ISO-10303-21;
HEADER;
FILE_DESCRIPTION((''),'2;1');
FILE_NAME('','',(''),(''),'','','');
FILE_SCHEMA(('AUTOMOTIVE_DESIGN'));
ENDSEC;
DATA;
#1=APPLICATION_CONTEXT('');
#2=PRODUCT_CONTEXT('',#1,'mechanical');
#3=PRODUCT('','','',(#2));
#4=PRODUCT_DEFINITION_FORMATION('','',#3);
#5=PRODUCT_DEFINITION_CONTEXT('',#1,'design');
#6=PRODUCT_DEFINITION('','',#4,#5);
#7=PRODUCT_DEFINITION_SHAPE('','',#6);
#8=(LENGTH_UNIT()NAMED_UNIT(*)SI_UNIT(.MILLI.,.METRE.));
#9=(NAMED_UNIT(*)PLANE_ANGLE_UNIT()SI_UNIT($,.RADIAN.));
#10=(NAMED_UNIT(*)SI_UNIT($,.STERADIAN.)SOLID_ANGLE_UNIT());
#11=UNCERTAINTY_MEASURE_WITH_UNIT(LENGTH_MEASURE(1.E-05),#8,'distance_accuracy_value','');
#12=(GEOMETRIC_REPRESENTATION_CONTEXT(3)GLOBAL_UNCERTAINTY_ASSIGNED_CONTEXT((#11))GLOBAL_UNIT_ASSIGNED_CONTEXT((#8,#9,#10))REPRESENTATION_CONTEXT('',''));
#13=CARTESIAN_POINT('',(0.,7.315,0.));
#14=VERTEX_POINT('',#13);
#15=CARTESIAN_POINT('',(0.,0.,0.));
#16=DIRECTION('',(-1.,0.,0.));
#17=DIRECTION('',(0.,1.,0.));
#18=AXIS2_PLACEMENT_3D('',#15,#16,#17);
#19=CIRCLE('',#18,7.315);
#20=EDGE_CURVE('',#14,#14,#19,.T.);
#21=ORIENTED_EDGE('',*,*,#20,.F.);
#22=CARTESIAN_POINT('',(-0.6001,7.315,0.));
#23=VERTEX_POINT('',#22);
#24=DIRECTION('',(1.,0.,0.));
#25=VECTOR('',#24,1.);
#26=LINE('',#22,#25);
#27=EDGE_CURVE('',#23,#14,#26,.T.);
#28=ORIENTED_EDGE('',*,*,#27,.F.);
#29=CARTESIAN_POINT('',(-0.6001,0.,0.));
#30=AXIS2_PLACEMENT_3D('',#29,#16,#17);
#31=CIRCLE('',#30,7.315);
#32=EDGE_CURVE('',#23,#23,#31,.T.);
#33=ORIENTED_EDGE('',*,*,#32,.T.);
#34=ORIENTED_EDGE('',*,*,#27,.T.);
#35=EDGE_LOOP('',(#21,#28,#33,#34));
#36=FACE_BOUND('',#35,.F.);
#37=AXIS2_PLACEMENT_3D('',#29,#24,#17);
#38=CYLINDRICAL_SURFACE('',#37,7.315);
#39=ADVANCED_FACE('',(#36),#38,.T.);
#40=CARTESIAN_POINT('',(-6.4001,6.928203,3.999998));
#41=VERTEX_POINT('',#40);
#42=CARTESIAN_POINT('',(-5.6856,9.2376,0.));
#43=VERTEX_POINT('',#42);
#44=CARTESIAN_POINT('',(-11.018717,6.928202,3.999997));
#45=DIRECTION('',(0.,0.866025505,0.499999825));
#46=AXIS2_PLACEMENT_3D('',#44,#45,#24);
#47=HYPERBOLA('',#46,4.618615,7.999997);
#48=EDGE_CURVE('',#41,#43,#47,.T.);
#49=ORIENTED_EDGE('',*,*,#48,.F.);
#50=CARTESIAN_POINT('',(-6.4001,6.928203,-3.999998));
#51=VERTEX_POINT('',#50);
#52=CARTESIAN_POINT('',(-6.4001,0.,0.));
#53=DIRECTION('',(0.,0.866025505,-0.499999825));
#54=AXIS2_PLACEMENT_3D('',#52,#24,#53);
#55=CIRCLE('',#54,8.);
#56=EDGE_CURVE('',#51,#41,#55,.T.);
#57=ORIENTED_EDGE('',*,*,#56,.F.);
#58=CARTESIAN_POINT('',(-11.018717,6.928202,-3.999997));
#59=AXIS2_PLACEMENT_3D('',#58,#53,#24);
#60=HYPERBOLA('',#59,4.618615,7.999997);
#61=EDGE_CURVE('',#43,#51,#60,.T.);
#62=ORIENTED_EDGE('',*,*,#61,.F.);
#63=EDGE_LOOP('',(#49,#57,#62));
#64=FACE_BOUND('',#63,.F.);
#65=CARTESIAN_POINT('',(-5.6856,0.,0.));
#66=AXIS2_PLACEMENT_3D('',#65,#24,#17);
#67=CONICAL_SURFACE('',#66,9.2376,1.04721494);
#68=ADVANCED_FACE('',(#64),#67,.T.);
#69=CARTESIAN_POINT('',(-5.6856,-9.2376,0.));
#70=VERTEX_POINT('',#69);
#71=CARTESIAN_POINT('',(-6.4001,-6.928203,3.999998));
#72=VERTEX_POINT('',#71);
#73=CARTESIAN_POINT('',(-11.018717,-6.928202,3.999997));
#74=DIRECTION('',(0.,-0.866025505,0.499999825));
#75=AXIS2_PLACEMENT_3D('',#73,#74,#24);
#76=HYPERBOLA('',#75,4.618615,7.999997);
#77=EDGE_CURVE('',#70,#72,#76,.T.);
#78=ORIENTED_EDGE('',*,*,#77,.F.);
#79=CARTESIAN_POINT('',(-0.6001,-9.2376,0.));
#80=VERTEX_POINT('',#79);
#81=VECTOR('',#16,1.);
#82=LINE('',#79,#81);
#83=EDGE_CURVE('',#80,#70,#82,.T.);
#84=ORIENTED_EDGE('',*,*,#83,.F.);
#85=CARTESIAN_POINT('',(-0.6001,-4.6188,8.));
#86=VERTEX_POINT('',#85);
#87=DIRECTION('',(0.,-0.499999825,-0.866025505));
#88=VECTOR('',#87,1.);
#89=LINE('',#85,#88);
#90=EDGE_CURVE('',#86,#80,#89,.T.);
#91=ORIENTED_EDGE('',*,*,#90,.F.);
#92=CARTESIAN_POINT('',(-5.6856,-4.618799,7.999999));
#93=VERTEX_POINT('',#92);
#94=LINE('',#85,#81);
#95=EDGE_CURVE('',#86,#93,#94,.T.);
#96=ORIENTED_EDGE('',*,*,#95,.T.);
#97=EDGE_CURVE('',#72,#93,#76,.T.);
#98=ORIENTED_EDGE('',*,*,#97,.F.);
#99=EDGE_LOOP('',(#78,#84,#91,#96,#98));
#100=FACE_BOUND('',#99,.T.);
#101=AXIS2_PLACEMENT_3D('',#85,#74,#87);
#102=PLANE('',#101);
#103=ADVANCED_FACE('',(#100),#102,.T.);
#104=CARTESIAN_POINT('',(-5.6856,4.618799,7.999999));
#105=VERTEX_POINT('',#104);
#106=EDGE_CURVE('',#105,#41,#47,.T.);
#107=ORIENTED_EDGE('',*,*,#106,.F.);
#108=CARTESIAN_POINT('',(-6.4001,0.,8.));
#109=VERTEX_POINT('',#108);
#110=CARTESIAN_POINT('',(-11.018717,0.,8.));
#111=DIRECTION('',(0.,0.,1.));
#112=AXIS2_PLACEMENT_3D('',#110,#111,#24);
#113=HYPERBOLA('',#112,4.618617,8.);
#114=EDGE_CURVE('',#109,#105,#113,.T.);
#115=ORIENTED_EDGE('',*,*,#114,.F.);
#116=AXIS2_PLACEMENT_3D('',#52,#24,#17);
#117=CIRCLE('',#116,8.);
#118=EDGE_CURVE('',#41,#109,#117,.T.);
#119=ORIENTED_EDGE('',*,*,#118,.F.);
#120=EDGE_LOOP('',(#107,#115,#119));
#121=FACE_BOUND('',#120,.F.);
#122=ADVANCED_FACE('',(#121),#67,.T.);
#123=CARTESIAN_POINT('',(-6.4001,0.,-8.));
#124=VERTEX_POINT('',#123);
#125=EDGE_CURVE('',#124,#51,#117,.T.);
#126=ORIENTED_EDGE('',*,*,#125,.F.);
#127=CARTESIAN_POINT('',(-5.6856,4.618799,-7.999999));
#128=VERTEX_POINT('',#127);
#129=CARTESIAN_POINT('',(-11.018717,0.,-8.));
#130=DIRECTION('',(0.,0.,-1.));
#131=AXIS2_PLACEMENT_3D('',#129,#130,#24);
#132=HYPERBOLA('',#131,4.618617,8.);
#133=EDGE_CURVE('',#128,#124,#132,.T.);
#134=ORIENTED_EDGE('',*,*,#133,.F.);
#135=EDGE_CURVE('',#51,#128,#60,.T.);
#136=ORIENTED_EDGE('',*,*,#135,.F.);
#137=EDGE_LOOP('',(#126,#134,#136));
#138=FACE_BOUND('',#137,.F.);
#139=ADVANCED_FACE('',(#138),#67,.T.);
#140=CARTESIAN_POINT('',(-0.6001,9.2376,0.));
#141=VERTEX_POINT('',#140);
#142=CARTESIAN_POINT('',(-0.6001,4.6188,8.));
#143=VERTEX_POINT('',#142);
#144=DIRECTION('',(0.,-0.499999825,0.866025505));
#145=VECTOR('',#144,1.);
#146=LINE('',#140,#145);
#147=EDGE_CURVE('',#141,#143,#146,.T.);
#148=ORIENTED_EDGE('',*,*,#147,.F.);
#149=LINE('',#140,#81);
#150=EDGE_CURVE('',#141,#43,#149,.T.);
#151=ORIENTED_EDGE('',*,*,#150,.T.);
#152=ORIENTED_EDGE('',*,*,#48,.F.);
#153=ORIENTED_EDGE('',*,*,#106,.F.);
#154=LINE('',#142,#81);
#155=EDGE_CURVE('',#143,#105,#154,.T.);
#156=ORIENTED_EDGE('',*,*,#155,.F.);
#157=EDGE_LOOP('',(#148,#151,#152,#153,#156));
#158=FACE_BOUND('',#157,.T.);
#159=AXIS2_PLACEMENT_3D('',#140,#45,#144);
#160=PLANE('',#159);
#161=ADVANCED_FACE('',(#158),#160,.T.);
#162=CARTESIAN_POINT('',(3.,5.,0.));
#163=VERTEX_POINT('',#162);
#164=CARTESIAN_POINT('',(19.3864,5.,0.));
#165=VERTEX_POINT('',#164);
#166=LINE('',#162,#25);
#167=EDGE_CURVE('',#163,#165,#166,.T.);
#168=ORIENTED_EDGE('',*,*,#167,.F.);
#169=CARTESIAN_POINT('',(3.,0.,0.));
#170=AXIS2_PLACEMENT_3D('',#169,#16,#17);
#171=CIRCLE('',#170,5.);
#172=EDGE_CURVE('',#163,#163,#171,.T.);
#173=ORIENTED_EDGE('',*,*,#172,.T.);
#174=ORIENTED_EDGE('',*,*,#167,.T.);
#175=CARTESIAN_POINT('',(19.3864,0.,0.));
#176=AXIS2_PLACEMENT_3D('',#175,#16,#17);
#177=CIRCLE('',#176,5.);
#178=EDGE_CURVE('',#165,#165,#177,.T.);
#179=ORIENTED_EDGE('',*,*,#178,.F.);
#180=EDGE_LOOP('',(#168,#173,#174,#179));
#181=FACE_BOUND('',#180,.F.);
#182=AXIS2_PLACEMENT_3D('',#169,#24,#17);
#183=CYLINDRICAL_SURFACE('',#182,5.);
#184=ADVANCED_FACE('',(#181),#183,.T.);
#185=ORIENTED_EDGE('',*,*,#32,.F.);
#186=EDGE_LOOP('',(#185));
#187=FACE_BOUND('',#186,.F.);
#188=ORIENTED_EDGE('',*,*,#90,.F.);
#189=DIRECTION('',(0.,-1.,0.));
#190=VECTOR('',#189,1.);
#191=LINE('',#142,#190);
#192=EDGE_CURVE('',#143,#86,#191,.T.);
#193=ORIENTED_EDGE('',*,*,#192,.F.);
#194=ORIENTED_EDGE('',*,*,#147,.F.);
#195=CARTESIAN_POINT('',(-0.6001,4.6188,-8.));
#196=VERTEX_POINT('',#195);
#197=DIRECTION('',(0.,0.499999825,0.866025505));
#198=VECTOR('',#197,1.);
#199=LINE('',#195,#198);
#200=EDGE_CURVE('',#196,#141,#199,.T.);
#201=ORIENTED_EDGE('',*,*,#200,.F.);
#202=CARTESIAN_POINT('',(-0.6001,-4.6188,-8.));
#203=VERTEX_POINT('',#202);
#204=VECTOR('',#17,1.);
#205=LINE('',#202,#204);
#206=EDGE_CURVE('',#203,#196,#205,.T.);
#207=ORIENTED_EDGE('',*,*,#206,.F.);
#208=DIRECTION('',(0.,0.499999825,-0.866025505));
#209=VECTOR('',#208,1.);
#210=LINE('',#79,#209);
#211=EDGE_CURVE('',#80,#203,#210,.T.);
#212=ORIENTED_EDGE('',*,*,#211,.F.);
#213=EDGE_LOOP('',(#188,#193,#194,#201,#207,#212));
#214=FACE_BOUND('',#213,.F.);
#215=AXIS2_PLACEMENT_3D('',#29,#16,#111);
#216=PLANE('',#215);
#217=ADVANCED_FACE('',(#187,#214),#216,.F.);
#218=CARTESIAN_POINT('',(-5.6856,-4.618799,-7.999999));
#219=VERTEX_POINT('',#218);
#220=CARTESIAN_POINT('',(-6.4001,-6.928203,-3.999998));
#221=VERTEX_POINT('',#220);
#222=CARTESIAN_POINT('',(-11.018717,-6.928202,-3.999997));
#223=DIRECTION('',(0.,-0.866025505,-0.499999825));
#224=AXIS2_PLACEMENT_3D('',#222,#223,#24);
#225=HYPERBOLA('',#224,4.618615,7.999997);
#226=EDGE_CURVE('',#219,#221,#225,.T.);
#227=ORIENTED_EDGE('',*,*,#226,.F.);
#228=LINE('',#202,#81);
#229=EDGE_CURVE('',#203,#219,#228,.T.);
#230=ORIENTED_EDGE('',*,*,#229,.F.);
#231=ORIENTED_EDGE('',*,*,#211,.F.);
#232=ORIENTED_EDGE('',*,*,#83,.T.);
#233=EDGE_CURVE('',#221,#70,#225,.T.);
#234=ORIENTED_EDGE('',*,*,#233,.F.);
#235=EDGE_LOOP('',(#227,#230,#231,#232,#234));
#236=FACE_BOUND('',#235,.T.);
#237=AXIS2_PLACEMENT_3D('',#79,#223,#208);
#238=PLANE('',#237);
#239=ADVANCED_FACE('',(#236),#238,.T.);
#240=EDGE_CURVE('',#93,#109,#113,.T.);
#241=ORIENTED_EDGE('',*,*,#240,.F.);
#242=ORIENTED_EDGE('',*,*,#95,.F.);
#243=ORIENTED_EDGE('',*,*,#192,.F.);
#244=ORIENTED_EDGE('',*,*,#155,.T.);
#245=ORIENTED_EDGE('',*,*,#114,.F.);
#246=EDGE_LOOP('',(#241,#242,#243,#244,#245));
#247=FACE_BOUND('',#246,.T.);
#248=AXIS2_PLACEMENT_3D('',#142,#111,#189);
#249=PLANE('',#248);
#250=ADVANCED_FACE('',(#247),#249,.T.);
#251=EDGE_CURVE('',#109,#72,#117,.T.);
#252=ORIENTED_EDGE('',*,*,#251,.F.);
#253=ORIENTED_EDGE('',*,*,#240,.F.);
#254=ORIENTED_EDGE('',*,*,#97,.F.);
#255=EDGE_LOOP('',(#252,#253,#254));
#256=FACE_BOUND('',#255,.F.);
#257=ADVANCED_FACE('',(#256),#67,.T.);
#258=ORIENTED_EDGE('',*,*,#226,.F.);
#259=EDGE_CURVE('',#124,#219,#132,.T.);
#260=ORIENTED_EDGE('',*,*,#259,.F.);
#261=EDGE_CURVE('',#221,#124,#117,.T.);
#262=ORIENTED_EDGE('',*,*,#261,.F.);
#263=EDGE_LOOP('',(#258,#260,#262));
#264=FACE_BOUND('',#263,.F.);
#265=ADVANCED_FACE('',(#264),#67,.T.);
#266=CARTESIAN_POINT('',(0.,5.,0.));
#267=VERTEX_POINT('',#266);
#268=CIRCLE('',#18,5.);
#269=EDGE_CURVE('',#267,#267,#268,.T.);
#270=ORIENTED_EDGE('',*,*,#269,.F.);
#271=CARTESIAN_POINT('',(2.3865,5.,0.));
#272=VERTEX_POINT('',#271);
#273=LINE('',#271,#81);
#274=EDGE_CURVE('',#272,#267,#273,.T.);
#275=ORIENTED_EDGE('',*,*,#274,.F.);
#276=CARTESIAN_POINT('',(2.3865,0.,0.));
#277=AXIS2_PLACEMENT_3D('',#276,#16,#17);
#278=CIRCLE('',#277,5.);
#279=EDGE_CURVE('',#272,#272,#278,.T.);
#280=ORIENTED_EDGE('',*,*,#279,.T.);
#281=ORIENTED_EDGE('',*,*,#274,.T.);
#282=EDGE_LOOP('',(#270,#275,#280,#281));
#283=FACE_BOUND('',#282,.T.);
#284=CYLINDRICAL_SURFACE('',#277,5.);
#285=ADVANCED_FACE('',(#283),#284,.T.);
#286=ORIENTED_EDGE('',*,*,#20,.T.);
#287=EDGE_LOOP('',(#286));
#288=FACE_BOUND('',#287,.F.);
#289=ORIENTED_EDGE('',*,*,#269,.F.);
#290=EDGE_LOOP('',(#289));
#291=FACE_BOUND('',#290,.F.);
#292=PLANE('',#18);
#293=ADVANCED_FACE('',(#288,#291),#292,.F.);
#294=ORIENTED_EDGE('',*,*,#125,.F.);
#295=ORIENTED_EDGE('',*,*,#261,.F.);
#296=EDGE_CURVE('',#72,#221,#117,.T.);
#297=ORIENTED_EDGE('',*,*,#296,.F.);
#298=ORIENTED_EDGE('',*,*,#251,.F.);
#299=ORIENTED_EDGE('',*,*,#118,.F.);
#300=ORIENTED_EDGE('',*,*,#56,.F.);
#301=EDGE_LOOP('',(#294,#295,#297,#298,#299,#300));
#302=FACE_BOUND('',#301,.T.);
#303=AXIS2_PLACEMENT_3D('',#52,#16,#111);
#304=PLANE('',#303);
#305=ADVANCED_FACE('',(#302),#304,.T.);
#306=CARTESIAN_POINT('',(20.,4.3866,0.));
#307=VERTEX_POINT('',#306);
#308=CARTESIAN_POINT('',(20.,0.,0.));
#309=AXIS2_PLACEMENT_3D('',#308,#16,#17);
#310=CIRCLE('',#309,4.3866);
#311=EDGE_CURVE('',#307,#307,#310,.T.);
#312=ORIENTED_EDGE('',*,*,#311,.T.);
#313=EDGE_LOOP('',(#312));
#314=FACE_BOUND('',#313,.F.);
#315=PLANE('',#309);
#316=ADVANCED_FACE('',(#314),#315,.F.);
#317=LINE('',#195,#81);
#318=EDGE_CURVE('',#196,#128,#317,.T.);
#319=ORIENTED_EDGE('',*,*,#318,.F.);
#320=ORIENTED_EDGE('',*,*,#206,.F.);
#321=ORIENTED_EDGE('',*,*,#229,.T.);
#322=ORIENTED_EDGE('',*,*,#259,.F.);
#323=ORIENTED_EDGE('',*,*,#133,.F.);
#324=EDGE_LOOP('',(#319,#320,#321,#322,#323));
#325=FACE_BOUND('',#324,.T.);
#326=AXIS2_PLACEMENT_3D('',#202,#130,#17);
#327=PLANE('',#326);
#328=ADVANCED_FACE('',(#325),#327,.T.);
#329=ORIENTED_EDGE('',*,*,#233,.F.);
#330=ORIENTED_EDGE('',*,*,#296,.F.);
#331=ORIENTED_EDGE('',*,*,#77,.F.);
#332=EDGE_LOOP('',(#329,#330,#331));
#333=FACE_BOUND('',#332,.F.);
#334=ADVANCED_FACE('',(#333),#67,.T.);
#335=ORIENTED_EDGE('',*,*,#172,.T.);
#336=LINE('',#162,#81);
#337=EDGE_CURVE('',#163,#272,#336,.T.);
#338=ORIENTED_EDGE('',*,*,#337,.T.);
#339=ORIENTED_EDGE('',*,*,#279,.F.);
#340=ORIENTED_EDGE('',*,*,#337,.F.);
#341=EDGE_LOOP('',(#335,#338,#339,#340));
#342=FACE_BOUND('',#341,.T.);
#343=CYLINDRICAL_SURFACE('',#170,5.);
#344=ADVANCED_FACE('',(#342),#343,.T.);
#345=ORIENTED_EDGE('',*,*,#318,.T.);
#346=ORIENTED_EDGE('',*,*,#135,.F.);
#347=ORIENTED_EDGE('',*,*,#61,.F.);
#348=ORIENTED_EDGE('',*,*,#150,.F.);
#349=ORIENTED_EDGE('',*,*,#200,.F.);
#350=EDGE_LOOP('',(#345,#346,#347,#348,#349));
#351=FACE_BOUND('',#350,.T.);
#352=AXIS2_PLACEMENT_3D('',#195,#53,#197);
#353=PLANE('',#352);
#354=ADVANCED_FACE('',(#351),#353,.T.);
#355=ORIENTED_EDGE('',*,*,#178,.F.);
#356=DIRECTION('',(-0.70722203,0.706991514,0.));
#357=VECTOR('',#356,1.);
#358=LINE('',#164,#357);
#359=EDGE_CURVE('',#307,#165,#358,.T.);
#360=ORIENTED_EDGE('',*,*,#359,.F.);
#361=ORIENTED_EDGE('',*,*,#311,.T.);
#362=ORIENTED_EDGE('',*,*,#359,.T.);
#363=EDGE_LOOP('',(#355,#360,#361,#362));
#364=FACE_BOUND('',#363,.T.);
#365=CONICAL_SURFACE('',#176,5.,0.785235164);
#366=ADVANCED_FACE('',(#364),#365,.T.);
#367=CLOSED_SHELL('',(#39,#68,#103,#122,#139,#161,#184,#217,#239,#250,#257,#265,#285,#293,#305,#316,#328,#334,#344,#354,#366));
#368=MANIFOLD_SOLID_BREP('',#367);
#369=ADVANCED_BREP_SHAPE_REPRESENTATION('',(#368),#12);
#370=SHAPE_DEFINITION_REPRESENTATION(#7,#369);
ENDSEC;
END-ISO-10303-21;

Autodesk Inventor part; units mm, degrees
ref_plane "YZ Plane" through (0, 0, 0) normal (1, 0, 0) x (0, 1, 0)
ref_plane "XZ Plane" through (0, 0, 0) normal (0, 1, 0) x (-1, 0, 0)
sketch "Sketch1" plane through (0, 0, 0) normal (0, 0, 1) x (1, 0, 0)
  line L0 (0, 7.315) -> (0, 5)
  line L1 (3, 5) -> (20, 5)
  line L2 (20, 5) -> (20, 0)
  line L3 (20, 0) -> (-0.6001, 0)
  line L4 (-4.7201, 0) -> (24.12, 0) projected
  line L5 (-0.6001, 0) -> (-0.6001, 7.315)
  line L6 (-0.6001, 7.315) -> (0, 7.315)
  line L7 (3, 5) -> (2.3865, 5)
  line L8 (2.3865, 5) -> (0, 5)
  line L9 (0, -1.463) -> (0, 8.778) projected
  dimension "d0" = 20
  dimension "d1" = 17
  dimension "d2" = 10
  dimension "d9" = 0.6001
  dimension "d10" = 14.63
  dimension "d13" = 0.6136
  dimension "d14" = 10
revolve "Body" add sketch "Sketch1" angle 360 about axis through (20, 0, 0) along (-1, 0, 0)
sketch "Sketch2" plane through (-0.6001, 0, 0) normal (-1, 0, 0) x (0, 0, 1)
  line L0 (0, 9.2376) -> (8, 4.6188)
  line L1 (8, 4.6188) -> (8, -4.6188)
  line L2 (8, -4.6188) -> (0, -9.2376)
  line L3 (0, -9.2376) -> (-8, -4.6188)
  line L4 (-8, -4.6188) -> (-8, 4.6188)
  line L5 (-8, 4.6188) -> (0, 9.2376)
  point P0 (0, 0)
  point P1 (0, 0)
  dimension "d11" = 16
extrude "Head" add sketch "Sketch2" along normal blind 5.8
sketch "Sketch4" plane through (0, 0, 0) normal (0, 0, 1) x (1, 0, 0)
  line L0 (-6.4001, 8) -> (-6.4001, 9.2376)
  line L1 (-6.4001, 9.2376) -> (-5.6856, 9.2376)
  line L2 (-5.6856, 9.2376) -> (-6.4001, 8)
  line L3 (-7.5601, 0) -> (0.5599, 0) projected
  line L4 (-0.6001, 9.2376) -> (-6.4001, 9.2376) projected
  line L5 (-6.4001, 4.6188) -> (-6.4001, 9.2376) projected
  dimension "d5" = 30
  dimension "d19" = 16
revolve "Chamfer1" cut sketch "Sketch4" angle 360 about axis through (-10, 0, 0) along (1, 0, 0)
thread "Thread" size "M10x1" class "6g" standard "ISO Metric profile" length 17
chamfer "Chamfer2" distance 0.6134 distance2 0.6136 1 edges at (20, -5, 0) measured on face at (20, -0.8193, 0.3214)
ref_plane "Work Plane1" through (1.525, 0, 0) normal (0, 0, 1) x (1, 0, 0)
equation "\"d0\" = NLG"
equation "\"d1\" = GEL"
equation "\"d2\" = GD"
equation "\"d10\" = SD2"
equation "\"d14\" = BDM"
equation "\"d11\" = SW"
equation "\"d3\" = KOH - SD"
equation "\"d5\" = ANG1"
equation "\"d19\" = SW0"
equation "\"d15\" = GEL"
equation "\"d6\" = -0.5 * SPD + 0.5 * GD"
equation "\"NLG\" = 20"
equation "\"GD\" = NND"
equation "\"BDM\" = NND"
equation "\"KOH\" = 6.4"
equation "\"GEL\" = 17"
equation "\"SW\" = 16"
equation "\"SW0\" = 16"
equation "\"SPD\" = NND - 1.2269 * PTC"
equation "\"SD2\" = 14.63"
equation "\"SD\" = 0.6"
equation "\"ANG1\" = 30deg"
equation "\"GAL\" = 0.61345 * PTC"
equation "\"GUL\" = 0.61345 * PTC"
equation "\"RR\" = 0.4"
equation "\"GD1\" = THREADDIA - 1.2269 * PTC"
equation "\"SDH\" = SD2"
equation "\"TOA\" = 30deg"
equation "\"PTC\" = 1"
equation "\"E0\" = 1.155 * SW"
equation "\"NND\" = 10"
equation "\"THREADDIA\" = 10"
properties part number "ISO 8676 - M10 x 1 x 20" material "Stainless Steel, 440C"
